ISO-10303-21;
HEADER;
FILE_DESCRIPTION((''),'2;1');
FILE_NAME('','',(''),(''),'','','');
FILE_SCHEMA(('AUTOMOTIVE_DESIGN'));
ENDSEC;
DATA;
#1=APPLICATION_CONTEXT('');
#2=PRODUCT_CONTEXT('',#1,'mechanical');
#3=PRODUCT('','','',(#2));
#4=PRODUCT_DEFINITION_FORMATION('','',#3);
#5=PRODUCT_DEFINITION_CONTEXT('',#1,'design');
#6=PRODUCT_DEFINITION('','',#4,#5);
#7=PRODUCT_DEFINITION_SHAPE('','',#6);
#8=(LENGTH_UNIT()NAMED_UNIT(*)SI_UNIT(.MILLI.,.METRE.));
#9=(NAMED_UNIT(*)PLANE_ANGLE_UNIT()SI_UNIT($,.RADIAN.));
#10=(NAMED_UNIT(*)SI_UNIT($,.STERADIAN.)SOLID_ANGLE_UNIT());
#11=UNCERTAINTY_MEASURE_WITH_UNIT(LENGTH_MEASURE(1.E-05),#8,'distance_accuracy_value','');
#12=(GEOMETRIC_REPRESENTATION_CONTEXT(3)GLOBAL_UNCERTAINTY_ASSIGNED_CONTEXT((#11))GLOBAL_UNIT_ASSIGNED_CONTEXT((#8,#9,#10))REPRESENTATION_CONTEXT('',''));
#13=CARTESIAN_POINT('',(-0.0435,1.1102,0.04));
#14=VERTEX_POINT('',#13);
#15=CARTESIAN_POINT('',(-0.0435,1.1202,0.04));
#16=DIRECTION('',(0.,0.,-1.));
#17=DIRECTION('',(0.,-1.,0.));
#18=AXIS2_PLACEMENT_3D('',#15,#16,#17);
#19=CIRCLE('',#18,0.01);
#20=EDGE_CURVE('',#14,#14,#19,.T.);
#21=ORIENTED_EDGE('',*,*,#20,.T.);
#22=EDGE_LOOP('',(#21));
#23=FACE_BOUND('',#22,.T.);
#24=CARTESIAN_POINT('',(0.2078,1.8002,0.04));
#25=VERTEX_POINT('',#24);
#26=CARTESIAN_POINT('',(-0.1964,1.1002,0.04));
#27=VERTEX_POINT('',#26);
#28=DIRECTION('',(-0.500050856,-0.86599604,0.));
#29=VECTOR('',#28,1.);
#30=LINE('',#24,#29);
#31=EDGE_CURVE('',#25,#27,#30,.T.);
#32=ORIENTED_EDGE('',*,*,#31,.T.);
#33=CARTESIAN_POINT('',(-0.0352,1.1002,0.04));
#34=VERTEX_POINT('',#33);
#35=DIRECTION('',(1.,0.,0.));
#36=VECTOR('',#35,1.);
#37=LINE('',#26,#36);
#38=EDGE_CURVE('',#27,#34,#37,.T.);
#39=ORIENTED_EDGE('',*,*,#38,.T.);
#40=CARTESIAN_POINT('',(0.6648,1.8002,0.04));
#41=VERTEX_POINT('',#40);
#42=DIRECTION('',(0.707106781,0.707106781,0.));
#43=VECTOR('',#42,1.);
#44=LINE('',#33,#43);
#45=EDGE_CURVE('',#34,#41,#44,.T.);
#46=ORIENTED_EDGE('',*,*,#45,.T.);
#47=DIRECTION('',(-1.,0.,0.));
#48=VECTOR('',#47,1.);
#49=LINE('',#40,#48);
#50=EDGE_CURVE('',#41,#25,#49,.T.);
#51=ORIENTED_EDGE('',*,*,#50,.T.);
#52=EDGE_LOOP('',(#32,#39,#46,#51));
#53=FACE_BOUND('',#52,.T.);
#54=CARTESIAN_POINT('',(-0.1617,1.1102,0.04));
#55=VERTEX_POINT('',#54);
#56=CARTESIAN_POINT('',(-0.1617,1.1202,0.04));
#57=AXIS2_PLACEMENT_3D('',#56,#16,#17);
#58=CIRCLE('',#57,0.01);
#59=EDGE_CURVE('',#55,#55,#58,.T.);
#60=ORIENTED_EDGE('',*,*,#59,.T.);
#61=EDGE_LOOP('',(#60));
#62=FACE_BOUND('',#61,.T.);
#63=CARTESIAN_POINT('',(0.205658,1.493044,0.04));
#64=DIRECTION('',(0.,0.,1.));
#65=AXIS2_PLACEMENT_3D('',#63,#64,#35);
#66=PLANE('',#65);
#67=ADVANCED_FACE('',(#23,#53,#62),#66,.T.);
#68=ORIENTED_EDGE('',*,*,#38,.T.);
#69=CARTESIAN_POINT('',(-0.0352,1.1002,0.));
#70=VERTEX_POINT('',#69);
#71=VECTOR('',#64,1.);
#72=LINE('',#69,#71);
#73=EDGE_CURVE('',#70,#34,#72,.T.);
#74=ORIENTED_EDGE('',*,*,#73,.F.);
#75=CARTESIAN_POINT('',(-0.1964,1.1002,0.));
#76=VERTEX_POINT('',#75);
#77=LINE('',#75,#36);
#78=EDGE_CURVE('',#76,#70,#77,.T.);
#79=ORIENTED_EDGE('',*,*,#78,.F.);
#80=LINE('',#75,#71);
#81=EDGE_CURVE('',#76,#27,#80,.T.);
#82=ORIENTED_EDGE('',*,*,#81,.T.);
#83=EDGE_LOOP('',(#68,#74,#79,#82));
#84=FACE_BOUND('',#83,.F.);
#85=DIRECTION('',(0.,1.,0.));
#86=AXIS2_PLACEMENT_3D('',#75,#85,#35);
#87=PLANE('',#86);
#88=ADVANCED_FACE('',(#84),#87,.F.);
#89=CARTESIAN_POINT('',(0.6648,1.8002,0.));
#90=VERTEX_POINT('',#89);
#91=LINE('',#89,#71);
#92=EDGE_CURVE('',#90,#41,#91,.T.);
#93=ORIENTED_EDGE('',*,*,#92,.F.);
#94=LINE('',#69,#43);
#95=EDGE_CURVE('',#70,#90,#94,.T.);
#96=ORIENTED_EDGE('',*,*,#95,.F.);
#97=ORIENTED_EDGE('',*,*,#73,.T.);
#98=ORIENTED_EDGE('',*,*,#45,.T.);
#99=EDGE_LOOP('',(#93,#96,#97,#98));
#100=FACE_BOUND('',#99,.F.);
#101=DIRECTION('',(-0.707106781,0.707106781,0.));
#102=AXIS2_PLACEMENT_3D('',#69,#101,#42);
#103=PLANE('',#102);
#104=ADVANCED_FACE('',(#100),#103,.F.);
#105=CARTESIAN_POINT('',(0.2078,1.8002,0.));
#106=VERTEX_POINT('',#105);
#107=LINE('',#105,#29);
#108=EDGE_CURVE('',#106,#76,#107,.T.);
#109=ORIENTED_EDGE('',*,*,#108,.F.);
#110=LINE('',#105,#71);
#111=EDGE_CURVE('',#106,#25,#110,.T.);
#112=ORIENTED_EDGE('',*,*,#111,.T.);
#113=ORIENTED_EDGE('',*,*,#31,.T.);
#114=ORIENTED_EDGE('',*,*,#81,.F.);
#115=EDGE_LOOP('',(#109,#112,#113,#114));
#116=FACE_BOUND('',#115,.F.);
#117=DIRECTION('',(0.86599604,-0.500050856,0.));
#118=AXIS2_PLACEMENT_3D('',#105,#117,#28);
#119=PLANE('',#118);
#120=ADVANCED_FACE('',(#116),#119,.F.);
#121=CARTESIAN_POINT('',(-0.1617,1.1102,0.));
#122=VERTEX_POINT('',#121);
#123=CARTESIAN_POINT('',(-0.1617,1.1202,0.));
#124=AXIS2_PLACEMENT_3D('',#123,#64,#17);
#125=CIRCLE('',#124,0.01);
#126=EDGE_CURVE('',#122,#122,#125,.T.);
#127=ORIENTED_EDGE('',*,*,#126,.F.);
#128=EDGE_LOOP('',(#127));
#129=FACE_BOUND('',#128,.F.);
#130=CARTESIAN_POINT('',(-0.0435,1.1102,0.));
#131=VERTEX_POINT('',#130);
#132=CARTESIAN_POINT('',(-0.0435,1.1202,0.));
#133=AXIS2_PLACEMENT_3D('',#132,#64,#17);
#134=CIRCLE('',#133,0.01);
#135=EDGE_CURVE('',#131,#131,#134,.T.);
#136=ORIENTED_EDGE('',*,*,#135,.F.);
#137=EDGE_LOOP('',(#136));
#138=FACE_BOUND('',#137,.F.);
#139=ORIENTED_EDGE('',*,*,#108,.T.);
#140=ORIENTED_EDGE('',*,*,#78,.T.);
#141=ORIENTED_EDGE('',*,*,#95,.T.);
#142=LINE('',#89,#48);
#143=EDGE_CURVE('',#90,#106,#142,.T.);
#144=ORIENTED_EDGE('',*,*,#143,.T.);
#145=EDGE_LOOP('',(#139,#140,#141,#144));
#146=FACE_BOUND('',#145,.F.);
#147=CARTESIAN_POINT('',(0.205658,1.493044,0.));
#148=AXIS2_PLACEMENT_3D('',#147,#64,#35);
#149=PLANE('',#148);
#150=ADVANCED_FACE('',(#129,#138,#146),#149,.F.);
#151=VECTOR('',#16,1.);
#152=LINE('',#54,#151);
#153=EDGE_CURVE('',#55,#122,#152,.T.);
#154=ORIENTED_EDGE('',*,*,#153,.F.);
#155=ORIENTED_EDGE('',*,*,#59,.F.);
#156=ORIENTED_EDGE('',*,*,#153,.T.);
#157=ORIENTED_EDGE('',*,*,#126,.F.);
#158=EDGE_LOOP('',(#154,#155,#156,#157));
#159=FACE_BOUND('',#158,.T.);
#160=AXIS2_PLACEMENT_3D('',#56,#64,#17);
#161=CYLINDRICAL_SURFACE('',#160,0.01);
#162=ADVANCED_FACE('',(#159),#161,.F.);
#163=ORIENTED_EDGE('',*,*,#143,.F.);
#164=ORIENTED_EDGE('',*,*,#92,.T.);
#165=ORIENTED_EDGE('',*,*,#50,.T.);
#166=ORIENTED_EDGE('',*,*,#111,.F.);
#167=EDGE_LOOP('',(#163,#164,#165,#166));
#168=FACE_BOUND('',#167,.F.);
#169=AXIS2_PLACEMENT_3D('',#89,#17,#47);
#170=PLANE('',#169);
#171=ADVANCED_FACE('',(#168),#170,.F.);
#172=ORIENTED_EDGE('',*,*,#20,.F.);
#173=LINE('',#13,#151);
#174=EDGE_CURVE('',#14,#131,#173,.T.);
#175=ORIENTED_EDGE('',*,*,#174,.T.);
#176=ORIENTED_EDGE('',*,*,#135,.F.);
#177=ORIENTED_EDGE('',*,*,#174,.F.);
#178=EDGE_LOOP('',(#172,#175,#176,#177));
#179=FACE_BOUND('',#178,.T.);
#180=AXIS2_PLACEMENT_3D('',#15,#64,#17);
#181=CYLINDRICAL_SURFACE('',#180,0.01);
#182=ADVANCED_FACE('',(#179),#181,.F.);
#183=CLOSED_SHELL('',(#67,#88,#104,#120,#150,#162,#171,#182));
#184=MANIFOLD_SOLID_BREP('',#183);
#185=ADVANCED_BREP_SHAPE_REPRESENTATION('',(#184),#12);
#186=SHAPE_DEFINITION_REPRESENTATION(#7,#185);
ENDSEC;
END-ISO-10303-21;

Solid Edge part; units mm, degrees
sketch "Sketch1" plane through (0, 0, 0) normal (0, 0, 1) x (1, 0, 0)
  line L0 (-0.0352, 1.1002) -> (0.6648, 1.8002)
  line L1 (0.6648, 1.8002) -> (0.2078, 1.8002)
  line L2 (0.2078, 1.8002) -> (-0.1964, 1.1002)
  line L3 (-0.1964, 1.1002) -> (-0.0352, 1.1002)
extrude "Protrusion1" add sketch "Sketch1" along normal blind 0.04
hole "Bohrung_9" at (-0.1617, 1.1202, 0.04) direction (0, 0, -1) diameter 0.02 end through all
hole "Hole1" at (-0.0435, 1.1202, 0.04) direction (0, 0, -1) diameter 0.02 end through all
